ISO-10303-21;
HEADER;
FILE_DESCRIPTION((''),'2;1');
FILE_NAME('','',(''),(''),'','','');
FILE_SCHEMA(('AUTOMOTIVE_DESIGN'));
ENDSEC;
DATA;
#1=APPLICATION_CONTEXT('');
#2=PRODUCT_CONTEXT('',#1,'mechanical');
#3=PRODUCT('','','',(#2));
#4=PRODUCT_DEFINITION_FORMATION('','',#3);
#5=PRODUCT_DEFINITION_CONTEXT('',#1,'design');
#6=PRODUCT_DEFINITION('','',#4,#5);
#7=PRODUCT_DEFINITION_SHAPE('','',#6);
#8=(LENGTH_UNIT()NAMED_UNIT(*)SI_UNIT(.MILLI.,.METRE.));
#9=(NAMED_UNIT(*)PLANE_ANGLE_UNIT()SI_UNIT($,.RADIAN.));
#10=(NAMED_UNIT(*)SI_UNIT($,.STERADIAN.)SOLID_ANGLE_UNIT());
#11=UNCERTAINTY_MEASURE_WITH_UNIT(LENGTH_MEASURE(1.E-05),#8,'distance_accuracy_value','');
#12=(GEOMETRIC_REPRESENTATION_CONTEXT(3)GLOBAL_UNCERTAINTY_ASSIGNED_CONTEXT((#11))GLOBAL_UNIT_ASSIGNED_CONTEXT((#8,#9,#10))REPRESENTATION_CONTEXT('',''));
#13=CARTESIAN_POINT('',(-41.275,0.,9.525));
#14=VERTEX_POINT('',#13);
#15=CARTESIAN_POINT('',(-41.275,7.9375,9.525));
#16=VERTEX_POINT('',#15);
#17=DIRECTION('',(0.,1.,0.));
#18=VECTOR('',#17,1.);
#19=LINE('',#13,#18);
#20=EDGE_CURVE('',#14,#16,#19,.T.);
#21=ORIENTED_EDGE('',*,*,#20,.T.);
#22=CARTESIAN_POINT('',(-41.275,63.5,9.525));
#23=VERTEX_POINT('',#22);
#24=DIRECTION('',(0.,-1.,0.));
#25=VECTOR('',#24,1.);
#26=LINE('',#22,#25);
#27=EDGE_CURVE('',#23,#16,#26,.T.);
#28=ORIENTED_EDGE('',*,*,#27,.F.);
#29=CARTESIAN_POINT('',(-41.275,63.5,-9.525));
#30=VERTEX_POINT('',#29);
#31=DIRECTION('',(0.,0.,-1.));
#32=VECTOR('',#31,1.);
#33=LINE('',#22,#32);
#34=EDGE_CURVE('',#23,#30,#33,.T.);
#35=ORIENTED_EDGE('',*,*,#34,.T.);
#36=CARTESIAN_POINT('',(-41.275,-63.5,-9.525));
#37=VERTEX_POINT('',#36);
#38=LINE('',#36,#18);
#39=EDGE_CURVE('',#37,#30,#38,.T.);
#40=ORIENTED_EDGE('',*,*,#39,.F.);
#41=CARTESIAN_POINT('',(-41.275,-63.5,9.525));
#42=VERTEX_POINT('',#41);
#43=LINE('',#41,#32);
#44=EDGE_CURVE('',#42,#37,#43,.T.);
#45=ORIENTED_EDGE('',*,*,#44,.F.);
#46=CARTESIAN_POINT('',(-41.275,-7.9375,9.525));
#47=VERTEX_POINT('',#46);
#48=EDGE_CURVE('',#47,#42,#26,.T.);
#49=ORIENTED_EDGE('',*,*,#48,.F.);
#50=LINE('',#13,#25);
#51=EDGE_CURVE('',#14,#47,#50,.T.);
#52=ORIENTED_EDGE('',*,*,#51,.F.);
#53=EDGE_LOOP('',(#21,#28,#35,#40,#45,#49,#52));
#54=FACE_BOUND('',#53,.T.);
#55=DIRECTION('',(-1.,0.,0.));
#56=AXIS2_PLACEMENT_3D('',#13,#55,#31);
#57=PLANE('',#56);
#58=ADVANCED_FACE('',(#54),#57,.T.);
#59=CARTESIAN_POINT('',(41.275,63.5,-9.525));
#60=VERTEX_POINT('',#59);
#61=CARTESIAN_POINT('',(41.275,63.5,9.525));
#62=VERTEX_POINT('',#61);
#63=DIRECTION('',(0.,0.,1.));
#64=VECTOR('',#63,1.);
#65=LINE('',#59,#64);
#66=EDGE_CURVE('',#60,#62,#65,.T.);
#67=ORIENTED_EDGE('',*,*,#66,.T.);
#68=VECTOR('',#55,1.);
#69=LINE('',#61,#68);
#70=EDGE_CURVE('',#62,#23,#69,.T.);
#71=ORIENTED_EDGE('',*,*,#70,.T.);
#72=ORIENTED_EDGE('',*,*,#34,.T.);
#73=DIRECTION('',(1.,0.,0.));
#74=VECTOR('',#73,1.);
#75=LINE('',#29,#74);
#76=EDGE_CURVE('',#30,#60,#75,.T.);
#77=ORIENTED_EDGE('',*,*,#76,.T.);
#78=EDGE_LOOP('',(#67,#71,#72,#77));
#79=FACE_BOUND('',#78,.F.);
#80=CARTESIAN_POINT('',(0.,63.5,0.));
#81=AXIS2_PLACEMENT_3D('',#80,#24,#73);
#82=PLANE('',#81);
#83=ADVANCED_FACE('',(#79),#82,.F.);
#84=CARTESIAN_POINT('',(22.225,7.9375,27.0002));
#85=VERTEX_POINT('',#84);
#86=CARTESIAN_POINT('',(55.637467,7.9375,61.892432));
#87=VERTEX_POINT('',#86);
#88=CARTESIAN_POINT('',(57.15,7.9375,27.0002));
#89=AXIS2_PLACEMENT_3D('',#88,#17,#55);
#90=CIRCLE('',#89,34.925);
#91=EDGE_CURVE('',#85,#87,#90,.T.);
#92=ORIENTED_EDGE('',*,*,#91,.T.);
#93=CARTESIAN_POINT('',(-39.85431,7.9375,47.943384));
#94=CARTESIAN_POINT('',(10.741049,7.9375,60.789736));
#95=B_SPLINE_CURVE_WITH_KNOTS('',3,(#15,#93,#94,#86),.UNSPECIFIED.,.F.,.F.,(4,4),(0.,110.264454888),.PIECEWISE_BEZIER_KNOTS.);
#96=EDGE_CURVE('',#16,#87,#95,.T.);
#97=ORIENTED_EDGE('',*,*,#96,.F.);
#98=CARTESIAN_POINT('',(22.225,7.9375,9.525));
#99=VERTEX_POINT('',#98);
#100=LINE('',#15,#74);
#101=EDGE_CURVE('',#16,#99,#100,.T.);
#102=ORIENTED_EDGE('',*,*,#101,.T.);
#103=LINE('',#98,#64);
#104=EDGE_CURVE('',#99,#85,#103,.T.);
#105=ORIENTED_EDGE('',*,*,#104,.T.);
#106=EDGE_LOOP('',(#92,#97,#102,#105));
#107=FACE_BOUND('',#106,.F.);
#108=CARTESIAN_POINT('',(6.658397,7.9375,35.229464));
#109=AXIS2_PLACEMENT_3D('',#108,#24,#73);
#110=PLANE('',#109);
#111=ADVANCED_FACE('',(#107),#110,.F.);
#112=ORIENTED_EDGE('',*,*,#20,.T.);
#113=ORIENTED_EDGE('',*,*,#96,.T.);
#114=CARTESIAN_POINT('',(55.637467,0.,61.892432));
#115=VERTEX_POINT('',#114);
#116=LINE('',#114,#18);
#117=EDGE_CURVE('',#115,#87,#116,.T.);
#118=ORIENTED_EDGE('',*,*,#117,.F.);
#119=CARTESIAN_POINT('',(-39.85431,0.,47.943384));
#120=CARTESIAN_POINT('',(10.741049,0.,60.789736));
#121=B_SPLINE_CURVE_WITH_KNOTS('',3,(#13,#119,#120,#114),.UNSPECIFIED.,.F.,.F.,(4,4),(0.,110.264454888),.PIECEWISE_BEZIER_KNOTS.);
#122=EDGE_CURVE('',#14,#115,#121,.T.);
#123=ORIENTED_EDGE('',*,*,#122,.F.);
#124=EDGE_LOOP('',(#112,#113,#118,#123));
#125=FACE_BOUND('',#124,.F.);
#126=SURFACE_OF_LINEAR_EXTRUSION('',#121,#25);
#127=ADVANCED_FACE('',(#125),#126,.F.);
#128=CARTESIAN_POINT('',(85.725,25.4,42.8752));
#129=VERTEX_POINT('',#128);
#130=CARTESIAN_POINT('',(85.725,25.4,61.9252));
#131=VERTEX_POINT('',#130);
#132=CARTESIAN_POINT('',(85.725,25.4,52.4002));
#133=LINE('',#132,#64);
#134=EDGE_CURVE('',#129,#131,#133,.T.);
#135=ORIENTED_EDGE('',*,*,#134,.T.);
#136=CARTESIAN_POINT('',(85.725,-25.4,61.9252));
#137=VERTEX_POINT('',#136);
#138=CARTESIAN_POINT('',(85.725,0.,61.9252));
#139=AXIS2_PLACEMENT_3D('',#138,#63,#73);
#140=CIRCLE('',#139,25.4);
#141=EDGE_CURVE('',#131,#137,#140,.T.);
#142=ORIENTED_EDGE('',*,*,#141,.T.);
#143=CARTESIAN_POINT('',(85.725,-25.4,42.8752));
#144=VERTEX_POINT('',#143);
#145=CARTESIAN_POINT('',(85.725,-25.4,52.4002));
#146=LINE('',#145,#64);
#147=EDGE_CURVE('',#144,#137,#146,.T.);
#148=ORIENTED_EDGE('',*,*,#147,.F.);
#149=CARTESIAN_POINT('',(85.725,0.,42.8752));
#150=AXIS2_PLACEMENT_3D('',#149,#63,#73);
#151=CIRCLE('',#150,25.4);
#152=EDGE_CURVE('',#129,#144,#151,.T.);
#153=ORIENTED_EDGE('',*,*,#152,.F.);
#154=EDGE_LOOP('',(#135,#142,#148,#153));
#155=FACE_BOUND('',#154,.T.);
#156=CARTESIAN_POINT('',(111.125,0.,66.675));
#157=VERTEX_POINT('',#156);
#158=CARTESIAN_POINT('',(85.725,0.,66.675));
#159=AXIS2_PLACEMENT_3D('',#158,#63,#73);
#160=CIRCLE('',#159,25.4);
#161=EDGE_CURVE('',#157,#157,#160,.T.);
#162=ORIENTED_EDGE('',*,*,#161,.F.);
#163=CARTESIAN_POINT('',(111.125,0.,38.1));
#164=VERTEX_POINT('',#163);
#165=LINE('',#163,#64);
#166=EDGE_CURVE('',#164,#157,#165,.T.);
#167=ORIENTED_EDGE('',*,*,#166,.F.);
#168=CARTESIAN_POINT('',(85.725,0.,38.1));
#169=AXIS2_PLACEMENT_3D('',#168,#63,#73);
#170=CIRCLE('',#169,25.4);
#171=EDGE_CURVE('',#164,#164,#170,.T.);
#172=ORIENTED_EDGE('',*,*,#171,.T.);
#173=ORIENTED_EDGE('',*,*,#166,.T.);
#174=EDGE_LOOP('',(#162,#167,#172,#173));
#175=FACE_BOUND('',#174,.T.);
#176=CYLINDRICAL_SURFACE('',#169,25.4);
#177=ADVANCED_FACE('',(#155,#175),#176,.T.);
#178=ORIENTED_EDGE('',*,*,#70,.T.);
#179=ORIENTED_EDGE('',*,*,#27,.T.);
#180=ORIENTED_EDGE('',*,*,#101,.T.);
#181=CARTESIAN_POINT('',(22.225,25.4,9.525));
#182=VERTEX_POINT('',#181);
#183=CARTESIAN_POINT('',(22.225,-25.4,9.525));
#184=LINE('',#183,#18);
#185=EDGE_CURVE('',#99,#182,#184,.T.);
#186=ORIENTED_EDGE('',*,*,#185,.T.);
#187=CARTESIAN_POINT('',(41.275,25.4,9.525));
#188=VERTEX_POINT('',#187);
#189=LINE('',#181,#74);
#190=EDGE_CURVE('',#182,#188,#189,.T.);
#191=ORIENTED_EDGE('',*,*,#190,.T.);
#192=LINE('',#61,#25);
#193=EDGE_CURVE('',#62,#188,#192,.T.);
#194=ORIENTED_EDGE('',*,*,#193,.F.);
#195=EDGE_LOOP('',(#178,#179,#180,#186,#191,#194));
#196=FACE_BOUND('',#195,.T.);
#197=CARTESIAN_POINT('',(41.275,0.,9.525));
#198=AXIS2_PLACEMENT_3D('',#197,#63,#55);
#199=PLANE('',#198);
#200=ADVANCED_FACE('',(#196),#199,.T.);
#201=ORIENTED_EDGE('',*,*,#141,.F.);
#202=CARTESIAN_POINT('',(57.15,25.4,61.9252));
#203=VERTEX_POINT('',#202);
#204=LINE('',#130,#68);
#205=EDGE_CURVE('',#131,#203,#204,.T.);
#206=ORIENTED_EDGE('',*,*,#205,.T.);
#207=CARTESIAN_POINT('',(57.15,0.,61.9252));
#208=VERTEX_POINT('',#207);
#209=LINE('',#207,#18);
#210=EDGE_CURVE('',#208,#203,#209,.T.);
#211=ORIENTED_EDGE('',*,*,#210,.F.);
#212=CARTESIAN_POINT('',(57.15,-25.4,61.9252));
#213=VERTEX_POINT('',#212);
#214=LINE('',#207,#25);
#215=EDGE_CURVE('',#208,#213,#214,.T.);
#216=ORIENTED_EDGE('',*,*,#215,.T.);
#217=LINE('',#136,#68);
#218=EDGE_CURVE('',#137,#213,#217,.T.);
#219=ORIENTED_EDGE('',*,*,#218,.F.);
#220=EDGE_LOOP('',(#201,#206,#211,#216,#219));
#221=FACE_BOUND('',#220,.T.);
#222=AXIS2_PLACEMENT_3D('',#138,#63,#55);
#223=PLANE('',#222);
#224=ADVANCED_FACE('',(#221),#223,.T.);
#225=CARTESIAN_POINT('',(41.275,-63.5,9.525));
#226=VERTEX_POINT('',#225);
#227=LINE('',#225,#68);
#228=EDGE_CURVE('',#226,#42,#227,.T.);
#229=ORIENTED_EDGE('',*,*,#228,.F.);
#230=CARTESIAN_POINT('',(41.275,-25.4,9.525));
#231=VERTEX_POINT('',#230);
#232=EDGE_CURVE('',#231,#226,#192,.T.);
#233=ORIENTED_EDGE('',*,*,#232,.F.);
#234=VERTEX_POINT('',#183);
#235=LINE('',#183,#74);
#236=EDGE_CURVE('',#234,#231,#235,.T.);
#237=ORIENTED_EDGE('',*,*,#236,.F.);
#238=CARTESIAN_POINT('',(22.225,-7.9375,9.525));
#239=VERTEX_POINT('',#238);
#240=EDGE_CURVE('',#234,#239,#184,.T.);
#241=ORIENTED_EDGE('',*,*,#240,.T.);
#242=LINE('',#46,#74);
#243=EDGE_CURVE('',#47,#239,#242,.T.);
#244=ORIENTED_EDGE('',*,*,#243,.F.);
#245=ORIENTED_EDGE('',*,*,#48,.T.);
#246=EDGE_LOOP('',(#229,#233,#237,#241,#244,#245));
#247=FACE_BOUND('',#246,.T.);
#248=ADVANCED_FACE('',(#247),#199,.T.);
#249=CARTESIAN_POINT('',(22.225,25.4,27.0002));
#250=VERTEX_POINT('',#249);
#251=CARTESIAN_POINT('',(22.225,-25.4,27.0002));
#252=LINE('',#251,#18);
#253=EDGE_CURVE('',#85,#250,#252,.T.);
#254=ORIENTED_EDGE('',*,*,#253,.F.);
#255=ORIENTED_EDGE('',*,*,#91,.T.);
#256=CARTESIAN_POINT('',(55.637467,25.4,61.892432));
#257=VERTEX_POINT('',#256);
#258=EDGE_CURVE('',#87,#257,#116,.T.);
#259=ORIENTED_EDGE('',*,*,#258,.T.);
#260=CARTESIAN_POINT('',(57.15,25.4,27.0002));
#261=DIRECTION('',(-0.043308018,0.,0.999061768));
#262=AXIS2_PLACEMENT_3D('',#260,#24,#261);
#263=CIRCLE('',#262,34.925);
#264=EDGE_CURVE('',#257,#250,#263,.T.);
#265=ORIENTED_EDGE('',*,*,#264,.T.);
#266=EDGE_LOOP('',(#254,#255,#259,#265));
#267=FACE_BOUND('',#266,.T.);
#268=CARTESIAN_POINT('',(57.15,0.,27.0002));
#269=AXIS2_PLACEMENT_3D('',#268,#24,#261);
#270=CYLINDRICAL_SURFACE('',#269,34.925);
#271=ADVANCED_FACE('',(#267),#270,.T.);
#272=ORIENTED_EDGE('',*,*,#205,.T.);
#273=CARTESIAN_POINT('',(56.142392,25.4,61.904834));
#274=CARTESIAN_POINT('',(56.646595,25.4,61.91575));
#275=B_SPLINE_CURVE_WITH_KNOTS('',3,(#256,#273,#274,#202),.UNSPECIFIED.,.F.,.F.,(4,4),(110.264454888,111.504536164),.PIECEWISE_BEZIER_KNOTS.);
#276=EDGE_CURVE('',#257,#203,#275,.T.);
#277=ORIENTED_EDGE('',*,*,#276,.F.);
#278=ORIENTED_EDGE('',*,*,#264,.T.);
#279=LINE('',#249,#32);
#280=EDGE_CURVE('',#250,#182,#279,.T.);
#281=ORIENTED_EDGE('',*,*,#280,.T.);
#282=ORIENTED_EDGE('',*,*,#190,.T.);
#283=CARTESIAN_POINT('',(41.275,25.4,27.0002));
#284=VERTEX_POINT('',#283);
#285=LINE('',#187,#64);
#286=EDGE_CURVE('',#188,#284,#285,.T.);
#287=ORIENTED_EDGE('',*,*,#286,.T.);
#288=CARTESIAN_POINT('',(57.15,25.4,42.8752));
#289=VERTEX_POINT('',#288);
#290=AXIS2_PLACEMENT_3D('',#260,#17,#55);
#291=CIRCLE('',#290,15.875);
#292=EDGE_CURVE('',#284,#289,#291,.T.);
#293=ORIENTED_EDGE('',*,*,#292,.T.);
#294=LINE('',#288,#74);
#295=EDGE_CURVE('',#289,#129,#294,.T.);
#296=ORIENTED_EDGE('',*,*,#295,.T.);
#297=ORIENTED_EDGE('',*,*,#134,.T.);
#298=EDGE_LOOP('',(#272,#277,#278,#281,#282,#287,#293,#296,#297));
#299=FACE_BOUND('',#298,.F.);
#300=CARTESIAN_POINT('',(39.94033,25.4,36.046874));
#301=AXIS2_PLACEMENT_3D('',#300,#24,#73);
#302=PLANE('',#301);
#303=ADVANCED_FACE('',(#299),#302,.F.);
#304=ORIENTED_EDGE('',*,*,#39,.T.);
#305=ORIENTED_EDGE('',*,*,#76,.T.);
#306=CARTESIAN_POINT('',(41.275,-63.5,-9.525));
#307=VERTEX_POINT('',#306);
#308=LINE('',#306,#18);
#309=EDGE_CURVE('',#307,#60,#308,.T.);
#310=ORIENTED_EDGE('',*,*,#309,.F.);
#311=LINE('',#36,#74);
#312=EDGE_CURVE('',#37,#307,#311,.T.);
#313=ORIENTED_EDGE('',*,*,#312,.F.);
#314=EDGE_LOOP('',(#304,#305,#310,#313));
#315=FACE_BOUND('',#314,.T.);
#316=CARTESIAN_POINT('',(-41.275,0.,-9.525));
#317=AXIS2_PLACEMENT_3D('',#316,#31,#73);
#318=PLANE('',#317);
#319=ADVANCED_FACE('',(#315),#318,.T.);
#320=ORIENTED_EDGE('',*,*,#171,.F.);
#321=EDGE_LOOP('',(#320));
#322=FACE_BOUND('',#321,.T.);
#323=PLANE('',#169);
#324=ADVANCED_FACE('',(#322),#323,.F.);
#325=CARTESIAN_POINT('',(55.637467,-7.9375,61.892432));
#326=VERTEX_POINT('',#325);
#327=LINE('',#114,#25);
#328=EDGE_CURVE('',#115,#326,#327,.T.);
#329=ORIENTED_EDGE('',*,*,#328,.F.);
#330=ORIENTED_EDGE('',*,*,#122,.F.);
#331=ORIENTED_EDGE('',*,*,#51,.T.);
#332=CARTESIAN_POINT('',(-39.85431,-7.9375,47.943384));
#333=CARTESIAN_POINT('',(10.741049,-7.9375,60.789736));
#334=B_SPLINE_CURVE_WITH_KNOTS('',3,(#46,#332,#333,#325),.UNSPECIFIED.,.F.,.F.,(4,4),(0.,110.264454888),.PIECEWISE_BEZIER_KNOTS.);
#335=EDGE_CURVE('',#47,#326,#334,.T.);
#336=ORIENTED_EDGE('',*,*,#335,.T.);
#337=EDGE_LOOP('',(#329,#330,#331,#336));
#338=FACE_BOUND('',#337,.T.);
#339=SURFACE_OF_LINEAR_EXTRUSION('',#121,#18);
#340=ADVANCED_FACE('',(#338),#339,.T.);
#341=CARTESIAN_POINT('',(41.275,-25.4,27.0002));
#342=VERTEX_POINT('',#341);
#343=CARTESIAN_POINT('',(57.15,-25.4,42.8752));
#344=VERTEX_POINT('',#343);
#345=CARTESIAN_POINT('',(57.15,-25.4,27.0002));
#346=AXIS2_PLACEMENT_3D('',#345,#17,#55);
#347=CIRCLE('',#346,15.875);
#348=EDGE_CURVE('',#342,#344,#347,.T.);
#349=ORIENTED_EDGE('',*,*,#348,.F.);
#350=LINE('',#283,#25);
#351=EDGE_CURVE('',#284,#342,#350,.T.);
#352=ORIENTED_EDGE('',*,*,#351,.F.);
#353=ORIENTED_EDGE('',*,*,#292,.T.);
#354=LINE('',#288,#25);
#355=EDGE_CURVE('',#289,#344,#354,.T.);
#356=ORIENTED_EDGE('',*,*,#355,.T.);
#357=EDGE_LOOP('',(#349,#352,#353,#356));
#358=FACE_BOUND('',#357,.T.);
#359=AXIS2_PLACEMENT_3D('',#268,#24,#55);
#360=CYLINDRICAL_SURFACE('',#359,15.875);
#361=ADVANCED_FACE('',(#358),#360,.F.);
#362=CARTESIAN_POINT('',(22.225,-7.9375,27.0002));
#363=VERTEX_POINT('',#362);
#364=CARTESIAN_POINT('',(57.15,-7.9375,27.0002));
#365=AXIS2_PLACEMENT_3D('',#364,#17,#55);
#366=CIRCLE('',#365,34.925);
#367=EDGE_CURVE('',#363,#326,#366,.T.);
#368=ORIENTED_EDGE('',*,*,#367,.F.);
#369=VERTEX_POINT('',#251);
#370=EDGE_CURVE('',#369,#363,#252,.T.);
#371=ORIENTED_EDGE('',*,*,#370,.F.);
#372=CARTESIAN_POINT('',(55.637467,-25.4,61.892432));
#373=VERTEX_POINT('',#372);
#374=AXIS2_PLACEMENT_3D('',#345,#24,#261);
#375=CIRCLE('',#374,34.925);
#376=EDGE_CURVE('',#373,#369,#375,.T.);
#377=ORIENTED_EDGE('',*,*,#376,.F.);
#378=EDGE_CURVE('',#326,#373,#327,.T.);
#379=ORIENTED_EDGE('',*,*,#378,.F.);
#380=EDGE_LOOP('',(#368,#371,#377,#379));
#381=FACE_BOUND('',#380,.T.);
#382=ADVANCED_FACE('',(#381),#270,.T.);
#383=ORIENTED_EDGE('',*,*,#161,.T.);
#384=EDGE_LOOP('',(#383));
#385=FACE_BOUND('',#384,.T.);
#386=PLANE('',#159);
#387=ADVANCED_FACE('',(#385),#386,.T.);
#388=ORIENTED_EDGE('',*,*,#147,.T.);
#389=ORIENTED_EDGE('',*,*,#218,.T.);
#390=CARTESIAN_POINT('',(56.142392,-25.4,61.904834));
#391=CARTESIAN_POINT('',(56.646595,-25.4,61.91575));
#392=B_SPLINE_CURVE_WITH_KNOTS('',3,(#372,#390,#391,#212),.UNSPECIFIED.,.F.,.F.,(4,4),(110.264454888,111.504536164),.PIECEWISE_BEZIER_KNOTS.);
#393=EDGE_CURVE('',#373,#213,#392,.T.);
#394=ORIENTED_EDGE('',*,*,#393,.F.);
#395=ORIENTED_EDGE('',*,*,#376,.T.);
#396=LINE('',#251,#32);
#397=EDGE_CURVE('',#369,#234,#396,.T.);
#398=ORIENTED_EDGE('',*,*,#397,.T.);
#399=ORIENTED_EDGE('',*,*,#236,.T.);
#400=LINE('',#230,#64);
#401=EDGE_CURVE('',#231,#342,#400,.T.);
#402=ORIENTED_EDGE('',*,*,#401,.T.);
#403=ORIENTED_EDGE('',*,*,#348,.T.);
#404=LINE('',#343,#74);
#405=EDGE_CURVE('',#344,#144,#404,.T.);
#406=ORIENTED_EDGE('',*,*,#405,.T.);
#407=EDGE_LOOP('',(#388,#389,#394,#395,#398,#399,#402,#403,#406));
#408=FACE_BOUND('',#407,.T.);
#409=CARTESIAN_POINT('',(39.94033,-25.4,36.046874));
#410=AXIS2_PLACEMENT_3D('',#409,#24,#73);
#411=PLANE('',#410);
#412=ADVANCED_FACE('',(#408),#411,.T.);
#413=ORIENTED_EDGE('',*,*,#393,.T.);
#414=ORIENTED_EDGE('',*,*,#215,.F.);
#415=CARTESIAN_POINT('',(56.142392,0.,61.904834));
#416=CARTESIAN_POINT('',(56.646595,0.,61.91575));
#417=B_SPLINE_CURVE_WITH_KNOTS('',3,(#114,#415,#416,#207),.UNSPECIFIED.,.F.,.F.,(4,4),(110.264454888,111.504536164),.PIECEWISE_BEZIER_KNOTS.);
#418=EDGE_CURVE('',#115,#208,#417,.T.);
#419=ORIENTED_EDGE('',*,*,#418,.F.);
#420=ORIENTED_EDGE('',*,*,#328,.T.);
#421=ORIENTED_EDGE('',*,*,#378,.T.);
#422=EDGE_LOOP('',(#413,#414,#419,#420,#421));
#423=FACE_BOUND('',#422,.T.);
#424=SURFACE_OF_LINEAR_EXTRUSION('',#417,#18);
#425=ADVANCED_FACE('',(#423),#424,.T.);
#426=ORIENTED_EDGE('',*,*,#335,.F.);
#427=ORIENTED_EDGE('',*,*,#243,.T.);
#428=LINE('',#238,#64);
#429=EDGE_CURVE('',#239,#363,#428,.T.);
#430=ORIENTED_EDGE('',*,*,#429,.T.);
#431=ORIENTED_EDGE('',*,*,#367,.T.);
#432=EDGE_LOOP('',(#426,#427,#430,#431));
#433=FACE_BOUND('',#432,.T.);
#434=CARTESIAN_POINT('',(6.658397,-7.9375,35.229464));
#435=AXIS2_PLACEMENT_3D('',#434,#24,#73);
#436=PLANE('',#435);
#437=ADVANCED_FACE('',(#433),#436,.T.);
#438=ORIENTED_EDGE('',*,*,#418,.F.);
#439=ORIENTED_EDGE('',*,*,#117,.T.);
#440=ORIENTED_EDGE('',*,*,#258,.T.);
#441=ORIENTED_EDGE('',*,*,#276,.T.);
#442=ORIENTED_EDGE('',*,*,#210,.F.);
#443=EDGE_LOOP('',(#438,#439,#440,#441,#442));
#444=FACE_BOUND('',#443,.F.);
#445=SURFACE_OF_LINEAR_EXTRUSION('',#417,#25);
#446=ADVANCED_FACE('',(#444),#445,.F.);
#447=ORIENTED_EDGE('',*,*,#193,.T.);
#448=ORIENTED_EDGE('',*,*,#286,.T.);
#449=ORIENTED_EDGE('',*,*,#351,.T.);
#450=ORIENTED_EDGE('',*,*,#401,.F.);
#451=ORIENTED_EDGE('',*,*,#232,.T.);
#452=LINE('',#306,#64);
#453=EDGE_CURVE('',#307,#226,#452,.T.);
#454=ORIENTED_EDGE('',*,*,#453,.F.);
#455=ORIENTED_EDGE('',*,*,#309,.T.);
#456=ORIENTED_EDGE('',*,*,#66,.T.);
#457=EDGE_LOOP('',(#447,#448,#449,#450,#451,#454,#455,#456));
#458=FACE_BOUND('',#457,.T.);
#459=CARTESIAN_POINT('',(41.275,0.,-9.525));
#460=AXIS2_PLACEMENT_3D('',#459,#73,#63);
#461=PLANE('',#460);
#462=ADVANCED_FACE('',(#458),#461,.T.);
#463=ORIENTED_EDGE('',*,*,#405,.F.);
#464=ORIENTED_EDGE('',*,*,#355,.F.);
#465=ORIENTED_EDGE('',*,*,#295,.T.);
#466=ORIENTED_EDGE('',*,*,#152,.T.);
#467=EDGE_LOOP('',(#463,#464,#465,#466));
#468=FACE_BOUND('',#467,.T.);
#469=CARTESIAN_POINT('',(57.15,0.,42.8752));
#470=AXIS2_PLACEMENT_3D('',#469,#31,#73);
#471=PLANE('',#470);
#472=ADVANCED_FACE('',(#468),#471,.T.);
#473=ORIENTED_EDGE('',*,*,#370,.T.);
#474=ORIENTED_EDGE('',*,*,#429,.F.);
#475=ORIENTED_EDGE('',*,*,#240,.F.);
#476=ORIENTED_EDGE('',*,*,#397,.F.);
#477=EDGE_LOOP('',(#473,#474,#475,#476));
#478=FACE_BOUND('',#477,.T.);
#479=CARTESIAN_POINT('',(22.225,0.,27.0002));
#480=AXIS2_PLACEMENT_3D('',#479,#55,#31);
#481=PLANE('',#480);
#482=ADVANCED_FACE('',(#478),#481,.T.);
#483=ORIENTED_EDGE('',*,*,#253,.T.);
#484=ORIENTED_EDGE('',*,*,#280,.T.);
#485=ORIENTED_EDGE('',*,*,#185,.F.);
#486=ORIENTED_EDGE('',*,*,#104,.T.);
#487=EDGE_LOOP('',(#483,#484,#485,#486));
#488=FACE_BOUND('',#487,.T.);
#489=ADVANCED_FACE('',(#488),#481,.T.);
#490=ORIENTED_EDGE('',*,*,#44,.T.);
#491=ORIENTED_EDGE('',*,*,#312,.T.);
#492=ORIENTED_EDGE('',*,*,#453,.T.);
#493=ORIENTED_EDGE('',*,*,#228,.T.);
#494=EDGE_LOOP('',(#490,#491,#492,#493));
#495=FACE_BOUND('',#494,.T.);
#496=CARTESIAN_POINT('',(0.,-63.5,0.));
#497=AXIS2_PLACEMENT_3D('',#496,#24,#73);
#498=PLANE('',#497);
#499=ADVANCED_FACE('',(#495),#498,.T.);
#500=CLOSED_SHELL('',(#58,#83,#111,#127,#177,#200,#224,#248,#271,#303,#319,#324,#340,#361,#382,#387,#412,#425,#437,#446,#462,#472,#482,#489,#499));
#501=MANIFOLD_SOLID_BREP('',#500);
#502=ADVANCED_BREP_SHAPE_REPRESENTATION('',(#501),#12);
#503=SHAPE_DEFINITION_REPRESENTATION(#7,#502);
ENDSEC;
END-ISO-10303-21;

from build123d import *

# Parameters (mm, degrees)
F1_DEPTH = 63.5
F0_W     = 25.4
F0_H     = 19.05
F2_DEPTH = 25.4
F3_DEPTH = 7.9375


with BuildPart() as f1:
    # F0 (on Front) → F1 (new body, symmetric)
    with BuildSketch(Plane.XZ):
        Polygon((41.275, -9.525), (41.275, 9.525), (22.225, 9.525), (-41.275, 9.525), (-41.275, -9.525), align=None)
    extrude(amount=F1_DEPTH, both=True)

    # F0 (on Front) → F2 (join, symmetric)
    with BuildSketch(Plane.XZ):
        with BuildLine():
            Line((22.225, 9.525), (41.275, 9.525))
            Line((41.275, 9.525), (41.275, 27.0002))
            ThreePointArc((41.275, 27.0002), (45.9246798487, 38.2255201513), (57.15, 42.8752))
            Line((57.15, 42.8752), (60.325, 42.8752))
            Line((60.325, 42.8752), (60.325, 61.9252))
            Line((60.325, 61.9252), (57.15, 61.9252))
            add(Edge.make_bspline(
                [(55.6374674655, 61.8924322349), (56.1423918101, 61.9048336292), (56.6465953403, 61.9157496607), (57.15, 61.9252)],
                knots=[110.2644548884, 110.2644548884, 110.2644548884, 110.2644548884, 111.5045361635, 111.5045361635, 111.5045361635, 111.5045361635], degree=3))
            ThreePointArc((55.6374674655, 61.8924322349), (31.9252024412, 51.1552245936), (22.225, 27.0002))
            Line((22.225, 27.0002), (22.225, 9.525))
        make_face()
        with Locations((73.025, 52.4002)):
            Rectangle(F0_W, F0_H)
    extrude(amount=F2_DEPTH, both=True)

    # F0 (on Front) → F3 (join, symmetric)
    with BuildSketch(Plane.XZ):
        with BuildLine():
            Line((-41.275, 9.525), (22.225, 9.525))
            Line((22.225, 9.525), (22.225, 27.0002))
            ThreePointArc((22.225, 27.0002), (31.9252024412, 51.1552245936), (55.6374674655, 61.8924322349))
            add(Edge.make_bspline(
                [(-41.275, 9.525), (-39.8543103668, 47.9433842004), (10.7410491974, 60.789735975), (55.6374674655, 61.8924322349)],
                knots=[0, 0, 0, 0, 110.2644548884, 110.2644548884, 110.2644548884, 110.2644548884], degree=3))
        make_face()
    extrude(amount=F3_DEPTH, both=True)

    # F0 (on Front) → F4 (revolve)
    with BuildSketch(Plane.XZ):
        Polygon((85.725, 61.9252), (85.725, 42.8752), (85.725, 38.1), (111.125, 38.1), (111.125, 66.675), (85.725, 66.675), align=None)
    revolve(axis=Axis((85.725, 0, 52.3875), (0, 0, 1)))


solid = f1.part
